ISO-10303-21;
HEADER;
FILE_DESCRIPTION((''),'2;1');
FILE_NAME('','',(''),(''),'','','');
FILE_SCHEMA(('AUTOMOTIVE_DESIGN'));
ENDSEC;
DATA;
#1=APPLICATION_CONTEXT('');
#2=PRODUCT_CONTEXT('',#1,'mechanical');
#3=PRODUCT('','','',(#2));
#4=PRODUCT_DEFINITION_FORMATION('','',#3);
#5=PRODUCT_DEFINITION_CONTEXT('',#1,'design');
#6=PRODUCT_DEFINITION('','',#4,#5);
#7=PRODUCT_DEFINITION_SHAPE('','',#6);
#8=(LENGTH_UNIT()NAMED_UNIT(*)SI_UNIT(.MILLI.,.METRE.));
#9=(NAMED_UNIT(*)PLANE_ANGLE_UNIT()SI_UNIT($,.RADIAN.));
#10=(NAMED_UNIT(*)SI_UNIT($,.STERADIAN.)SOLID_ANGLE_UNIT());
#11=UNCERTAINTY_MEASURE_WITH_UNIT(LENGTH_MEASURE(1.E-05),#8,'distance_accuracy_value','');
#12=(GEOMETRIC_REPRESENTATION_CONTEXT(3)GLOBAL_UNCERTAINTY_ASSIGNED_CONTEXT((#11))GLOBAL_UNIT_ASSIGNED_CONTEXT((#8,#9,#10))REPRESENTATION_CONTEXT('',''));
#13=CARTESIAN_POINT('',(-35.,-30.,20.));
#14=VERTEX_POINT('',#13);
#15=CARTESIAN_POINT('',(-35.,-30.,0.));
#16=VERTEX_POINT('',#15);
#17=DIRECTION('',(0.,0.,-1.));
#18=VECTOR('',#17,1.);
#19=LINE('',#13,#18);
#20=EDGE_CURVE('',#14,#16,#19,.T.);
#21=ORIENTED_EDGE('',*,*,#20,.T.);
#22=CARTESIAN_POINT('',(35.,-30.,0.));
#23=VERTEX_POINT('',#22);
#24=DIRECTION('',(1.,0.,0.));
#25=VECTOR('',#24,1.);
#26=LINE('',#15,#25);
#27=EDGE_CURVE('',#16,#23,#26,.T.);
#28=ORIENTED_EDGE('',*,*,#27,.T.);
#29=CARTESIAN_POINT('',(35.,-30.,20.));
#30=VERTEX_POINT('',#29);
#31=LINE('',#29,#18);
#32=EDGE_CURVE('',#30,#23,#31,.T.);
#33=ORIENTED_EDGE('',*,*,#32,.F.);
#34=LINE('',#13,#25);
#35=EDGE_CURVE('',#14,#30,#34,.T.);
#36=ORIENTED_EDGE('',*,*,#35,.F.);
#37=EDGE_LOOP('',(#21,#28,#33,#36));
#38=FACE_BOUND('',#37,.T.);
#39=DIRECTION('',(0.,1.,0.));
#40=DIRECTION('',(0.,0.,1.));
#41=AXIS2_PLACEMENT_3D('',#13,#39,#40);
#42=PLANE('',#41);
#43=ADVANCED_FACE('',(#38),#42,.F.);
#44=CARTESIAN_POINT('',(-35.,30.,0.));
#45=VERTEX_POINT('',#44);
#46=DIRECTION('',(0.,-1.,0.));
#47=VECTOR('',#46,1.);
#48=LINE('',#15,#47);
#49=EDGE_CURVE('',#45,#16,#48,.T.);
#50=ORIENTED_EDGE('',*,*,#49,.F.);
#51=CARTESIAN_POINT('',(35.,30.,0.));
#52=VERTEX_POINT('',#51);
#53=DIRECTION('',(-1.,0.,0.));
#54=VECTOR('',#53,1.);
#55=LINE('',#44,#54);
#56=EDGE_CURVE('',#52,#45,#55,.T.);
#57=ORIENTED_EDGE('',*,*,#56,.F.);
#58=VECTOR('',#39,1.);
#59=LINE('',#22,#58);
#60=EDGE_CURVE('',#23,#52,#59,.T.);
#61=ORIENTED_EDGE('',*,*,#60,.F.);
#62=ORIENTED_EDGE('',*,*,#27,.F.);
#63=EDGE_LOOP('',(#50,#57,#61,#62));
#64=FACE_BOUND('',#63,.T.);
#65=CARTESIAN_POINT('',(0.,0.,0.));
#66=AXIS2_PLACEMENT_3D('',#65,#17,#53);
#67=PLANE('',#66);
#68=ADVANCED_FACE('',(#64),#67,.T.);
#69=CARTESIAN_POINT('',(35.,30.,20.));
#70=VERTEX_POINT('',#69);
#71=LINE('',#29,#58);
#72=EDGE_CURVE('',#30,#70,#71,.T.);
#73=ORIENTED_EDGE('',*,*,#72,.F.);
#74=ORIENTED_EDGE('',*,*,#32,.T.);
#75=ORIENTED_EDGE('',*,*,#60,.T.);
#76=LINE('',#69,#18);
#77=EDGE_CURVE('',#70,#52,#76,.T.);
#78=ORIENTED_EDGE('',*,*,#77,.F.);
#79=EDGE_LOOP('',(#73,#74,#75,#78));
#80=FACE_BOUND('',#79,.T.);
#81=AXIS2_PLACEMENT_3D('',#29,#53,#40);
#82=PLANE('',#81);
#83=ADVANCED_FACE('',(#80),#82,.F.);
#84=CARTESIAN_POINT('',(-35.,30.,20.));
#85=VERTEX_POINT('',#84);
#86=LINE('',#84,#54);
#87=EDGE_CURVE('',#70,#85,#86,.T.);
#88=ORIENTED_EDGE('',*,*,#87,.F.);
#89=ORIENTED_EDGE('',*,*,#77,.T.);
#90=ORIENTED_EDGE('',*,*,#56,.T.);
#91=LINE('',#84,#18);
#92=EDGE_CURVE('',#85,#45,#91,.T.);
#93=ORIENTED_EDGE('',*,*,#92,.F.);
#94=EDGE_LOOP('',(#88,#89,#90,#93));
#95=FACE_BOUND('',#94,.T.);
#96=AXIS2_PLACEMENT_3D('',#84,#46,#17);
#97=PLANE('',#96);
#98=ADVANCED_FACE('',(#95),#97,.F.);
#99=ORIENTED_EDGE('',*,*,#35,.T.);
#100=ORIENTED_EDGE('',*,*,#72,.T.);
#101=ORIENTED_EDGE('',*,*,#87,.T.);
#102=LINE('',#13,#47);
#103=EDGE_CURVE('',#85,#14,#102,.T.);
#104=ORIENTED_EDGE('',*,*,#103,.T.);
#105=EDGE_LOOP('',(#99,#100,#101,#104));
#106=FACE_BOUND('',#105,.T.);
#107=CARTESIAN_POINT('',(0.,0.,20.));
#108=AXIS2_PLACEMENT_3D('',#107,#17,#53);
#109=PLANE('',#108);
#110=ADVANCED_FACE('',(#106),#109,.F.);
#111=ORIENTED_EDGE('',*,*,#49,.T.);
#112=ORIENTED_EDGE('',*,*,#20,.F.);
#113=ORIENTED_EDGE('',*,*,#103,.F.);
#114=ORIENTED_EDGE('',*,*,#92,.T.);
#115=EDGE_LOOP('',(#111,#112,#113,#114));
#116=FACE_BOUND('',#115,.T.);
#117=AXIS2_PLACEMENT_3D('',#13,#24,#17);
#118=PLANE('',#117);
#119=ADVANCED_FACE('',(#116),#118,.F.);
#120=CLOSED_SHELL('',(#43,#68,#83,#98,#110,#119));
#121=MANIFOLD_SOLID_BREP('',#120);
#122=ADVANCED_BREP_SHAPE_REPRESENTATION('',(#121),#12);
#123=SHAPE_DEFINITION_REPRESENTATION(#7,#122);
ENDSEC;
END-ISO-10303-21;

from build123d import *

# Parameters (mm, degrees)
SKETCH_1_W      = 70
SKETCH_1_H      = 60
EXTRUDE_1_DEPTH = 20


with BuildPart() as part:
    # 草图1 → 凸台-拉伸1 (new body)
    with BuildSketch(Plane.XY):
        Rectangle(SKETCH_1_W, SKETCH_1_H)
    extrude(amount=EXTRUDE_1_DEPTH)


solid = part.part
